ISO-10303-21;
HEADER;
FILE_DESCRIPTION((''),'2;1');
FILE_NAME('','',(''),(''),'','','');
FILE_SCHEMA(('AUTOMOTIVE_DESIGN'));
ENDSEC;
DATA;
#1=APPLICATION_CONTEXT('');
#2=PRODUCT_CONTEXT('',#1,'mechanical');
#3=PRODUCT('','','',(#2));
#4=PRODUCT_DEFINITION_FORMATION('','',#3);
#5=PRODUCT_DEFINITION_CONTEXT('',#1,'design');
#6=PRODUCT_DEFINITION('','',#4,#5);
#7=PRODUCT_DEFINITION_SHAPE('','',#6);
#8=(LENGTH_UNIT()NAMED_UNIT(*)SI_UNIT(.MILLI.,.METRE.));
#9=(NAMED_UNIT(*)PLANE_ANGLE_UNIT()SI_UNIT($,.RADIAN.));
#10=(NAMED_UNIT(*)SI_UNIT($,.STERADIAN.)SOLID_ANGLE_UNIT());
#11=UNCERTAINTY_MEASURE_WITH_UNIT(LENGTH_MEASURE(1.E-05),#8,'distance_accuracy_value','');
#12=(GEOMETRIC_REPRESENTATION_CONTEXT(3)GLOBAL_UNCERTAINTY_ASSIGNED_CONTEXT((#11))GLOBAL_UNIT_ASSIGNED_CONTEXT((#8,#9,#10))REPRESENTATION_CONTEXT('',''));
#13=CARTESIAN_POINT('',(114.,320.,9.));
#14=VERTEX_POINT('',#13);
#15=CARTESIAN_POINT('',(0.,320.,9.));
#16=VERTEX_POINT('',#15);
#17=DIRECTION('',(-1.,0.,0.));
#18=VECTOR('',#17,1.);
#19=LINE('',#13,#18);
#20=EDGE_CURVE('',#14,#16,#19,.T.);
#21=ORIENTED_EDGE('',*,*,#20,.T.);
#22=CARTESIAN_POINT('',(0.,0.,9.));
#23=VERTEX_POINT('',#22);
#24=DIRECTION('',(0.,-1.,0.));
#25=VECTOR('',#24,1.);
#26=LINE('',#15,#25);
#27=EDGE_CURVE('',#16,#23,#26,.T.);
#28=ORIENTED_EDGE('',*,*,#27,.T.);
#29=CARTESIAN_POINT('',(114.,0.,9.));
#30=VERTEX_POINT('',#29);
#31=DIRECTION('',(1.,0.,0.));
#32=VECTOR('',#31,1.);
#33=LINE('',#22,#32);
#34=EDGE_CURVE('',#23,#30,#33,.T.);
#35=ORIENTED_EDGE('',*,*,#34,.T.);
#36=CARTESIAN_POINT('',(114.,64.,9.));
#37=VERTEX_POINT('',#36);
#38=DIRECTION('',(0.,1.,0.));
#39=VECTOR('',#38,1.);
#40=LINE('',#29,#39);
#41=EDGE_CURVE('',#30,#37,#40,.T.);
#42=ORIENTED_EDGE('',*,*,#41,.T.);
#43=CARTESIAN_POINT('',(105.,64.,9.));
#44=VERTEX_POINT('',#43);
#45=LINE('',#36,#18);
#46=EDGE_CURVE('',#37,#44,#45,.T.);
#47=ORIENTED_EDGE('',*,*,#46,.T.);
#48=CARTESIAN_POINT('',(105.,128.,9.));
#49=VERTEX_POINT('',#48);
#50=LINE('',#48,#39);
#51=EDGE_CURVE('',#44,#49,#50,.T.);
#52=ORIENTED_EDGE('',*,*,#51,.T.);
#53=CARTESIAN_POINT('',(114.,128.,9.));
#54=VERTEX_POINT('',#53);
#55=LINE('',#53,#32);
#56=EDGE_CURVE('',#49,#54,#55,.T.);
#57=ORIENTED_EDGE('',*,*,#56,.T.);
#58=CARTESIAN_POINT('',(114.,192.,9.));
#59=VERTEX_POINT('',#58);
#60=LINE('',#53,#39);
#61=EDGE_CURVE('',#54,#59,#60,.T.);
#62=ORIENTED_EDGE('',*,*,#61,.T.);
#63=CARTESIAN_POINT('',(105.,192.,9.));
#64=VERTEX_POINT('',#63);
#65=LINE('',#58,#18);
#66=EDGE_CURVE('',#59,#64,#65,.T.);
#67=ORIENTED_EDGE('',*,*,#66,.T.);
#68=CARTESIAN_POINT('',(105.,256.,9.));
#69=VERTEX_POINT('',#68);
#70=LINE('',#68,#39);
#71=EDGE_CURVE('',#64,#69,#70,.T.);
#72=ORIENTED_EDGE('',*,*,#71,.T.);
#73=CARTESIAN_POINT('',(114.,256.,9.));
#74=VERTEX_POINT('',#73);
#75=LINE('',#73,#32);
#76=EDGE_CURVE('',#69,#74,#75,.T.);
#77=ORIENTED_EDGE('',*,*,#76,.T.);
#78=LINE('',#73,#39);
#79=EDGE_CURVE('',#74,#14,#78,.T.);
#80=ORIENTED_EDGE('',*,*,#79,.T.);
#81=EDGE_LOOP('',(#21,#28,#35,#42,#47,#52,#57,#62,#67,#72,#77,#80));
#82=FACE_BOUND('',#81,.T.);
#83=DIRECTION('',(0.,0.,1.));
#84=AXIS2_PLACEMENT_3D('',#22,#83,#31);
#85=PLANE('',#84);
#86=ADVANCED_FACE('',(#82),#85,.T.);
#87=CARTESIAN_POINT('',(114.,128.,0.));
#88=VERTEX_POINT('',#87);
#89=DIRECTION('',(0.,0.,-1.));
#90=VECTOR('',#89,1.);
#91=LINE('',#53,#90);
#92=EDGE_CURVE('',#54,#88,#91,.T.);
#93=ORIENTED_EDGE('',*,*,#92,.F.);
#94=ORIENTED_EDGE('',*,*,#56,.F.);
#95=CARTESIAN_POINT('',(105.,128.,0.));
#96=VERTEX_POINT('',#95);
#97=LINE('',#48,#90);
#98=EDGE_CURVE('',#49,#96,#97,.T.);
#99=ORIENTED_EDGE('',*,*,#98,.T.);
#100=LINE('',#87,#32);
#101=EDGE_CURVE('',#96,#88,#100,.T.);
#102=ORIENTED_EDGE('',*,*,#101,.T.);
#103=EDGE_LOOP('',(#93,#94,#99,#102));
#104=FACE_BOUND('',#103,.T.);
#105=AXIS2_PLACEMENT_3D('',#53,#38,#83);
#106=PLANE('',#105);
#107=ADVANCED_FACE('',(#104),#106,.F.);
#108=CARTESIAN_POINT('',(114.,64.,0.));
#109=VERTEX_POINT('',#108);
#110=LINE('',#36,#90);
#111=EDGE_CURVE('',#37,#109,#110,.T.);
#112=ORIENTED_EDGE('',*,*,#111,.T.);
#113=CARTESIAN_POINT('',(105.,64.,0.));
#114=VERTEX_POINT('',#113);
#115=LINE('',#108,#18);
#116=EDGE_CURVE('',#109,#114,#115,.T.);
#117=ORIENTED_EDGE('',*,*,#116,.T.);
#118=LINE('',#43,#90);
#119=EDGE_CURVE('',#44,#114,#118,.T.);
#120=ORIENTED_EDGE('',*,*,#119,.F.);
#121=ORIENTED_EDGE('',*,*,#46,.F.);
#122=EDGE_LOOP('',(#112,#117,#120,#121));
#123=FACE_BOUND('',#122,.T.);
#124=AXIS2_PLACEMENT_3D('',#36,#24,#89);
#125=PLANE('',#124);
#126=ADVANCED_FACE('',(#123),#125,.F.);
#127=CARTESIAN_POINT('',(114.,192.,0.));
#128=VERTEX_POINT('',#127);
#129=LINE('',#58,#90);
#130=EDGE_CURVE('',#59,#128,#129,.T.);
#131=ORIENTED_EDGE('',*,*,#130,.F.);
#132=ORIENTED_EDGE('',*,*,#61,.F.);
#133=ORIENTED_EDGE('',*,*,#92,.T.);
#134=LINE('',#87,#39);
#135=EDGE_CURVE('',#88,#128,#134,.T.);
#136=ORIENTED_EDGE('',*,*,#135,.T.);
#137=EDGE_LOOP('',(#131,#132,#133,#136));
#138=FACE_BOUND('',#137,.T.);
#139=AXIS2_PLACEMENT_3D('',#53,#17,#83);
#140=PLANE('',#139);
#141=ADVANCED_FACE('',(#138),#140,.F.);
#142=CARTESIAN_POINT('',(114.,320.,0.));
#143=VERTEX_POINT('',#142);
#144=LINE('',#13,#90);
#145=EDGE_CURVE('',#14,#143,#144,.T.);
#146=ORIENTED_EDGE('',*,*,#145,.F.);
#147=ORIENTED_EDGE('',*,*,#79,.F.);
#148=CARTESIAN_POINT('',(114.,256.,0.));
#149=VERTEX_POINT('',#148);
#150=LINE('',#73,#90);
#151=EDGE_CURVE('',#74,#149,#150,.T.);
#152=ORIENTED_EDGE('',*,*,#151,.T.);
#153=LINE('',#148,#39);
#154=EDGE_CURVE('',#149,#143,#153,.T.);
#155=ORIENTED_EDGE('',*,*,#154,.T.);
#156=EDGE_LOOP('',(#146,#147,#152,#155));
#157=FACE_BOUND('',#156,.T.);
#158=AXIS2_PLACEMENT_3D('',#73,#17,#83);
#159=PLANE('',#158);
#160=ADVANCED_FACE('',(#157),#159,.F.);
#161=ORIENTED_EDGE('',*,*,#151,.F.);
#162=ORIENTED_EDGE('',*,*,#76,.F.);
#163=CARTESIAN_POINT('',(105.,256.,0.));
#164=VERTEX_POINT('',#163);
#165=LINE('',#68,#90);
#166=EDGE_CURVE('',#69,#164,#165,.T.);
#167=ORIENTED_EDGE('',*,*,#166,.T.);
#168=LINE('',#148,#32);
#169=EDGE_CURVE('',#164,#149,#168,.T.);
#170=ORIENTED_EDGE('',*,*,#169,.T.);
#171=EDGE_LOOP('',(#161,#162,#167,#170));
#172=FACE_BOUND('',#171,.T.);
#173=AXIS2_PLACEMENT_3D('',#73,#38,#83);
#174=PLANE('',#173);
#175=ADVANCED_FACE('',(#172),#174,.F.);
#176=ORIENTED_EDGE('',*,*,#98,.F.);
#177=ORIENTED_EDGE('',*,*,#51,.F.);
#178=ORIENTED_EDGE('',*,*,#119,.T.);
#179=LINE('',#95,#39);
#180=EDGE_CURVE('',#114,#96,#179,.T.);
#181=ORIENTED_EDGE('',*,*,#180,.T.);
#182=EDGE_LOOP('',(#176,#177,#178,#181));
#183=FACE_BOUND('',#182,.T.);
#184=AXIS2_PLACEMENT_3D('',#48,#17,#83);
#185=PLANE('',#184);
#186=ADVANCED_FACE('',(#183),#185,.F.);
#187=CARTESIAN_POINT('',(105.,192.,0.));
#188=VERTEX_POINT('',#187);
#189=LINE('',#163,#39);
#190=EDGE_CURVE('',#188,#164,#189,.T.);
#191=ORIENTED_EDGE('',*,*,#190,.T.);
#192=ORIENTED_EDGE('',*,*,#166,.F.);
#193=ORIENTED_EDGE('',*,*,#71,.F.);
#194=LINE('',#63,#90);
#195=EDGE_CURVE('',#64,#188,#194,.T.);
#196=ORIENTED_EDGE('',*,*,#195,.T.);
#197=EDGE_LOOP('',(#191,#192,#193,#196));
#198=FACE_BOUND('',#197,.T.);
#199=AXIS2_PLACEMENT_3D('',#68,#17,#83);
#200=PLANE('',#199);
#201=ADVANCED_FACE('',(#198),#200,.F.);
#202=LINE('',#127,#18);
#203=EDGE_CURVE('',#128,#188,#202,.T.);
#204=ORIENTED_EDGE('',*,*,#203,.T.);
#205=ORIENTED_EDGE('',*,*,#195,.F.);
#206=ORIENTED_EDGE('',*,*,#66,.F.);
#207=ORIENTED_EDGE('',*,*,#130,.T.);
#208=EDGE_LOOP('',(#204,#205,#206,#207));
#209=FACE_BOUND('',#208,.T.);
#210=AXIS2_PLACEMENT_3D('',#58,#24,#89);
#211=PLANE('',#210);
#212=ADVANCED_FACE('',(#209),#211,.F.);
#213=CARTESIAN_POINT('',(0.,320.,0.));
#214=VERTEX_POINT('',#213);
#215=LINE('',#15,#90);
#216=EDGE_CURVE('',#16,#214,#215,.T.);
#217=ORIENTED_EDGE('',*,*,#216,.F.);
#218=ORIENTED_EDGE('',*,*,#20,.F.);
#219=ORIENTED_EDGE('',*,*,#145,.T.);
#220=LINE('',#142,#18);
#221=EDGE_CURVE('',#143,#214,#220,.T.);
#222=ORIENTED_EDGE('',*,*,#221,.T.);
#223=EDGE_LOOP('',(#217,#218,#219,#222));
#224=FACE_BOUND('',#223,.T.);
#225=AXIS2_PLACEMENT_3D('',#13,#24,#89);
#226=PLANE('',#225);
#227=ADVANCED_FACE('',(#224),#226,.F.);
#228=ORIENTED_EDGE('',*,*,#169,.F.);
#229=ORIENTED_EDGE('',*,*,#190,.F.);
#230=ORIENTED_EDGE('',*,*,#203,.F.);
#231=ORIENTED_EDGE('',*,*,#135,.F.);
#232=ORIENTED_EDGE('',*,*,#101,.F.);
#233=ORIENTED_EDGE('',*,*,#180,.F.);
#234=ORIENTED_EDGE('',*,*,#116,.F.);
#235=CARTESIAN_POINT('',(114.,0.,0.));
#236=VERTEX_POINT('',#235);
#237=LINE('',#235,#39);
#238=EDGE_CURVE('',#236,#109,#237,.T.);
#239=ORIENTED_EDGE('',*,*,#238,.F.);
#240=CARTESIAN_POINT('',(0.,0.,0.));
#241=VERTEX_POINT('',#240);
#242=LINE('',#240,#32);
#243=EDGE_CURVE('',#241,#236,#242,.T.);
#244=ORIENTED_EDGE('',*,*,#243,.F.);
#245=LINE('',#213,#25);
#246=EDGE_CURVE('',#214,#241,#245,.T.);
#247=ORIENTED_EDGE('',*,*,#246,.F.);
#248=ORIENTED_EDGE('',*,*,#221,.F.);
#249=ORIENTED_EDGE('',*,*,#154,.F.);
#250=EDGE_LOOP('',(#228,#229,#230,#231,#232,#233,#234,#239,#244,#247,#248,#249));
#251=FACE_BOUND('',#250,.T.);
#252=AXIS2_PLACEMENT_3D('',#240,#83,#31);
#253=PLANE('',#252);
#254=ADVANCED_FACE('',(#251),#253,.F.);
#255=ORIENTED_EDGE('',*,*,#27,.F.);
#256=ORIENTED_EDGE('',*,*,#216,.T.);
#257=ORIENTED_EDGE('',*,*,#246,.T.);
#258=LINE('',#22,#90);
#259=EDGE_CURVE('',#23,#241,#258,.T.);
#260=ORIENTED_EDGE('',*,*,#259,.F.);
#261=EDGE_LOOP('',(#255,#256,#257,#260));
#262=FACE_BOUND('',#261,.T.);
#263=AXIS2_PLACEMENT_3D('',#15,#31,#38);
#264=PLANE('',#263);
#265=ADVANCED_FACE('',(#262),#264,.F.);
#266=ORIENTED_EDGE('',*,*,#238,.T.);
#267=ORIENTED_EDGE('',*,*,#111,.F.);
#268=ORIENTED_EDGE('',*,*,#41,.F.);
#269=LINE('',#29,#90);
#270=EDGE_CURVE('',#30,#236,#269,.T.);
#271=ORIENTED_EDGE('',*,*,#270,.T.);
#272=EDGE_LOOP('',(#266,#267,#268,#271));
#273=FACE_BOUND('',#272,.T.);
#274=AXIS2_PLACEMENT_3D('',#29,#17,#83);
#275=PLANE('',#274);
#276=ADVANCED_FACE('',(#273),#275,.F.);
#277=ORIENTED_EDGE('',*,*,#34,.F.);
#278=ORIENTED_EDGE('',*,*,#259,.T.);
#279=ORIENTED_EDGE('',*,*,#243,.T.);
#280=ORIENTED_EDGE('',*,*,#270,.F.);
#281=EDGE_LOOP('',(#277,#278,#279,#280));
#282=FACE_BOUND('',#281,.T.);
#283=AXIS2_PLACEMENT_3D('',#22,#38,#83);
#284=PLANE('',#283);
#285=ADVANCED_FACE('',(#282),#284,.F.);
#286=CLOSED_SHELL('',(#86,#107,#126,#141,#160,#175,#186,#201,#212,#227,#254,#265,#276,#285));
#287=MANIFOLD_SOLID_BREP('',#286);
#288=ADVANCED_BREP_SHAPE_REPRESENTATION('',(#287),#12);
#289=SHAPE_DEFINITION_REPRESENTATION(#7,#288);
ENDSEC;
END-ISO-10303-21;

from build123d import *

# Parameters (mm, degrees)
BOSS_EXTRUDE1_DEPTH = 9


with BuildPart() as part:
    # Sketch2 → Boss-Extrude1 (new body)
    with BuildSketch(Plane.XY):
        Polygon((114, 192), (105, 192), (105, 256), (114, 256), (114, 320), (0, 320), (0, 0), (114, 0), (114, 64), (105, 64), (105, 128), (114, 128), align=None)
    extrude(amount=BOSS_EXTRUDE1_DEPTH)


solid = part.part
